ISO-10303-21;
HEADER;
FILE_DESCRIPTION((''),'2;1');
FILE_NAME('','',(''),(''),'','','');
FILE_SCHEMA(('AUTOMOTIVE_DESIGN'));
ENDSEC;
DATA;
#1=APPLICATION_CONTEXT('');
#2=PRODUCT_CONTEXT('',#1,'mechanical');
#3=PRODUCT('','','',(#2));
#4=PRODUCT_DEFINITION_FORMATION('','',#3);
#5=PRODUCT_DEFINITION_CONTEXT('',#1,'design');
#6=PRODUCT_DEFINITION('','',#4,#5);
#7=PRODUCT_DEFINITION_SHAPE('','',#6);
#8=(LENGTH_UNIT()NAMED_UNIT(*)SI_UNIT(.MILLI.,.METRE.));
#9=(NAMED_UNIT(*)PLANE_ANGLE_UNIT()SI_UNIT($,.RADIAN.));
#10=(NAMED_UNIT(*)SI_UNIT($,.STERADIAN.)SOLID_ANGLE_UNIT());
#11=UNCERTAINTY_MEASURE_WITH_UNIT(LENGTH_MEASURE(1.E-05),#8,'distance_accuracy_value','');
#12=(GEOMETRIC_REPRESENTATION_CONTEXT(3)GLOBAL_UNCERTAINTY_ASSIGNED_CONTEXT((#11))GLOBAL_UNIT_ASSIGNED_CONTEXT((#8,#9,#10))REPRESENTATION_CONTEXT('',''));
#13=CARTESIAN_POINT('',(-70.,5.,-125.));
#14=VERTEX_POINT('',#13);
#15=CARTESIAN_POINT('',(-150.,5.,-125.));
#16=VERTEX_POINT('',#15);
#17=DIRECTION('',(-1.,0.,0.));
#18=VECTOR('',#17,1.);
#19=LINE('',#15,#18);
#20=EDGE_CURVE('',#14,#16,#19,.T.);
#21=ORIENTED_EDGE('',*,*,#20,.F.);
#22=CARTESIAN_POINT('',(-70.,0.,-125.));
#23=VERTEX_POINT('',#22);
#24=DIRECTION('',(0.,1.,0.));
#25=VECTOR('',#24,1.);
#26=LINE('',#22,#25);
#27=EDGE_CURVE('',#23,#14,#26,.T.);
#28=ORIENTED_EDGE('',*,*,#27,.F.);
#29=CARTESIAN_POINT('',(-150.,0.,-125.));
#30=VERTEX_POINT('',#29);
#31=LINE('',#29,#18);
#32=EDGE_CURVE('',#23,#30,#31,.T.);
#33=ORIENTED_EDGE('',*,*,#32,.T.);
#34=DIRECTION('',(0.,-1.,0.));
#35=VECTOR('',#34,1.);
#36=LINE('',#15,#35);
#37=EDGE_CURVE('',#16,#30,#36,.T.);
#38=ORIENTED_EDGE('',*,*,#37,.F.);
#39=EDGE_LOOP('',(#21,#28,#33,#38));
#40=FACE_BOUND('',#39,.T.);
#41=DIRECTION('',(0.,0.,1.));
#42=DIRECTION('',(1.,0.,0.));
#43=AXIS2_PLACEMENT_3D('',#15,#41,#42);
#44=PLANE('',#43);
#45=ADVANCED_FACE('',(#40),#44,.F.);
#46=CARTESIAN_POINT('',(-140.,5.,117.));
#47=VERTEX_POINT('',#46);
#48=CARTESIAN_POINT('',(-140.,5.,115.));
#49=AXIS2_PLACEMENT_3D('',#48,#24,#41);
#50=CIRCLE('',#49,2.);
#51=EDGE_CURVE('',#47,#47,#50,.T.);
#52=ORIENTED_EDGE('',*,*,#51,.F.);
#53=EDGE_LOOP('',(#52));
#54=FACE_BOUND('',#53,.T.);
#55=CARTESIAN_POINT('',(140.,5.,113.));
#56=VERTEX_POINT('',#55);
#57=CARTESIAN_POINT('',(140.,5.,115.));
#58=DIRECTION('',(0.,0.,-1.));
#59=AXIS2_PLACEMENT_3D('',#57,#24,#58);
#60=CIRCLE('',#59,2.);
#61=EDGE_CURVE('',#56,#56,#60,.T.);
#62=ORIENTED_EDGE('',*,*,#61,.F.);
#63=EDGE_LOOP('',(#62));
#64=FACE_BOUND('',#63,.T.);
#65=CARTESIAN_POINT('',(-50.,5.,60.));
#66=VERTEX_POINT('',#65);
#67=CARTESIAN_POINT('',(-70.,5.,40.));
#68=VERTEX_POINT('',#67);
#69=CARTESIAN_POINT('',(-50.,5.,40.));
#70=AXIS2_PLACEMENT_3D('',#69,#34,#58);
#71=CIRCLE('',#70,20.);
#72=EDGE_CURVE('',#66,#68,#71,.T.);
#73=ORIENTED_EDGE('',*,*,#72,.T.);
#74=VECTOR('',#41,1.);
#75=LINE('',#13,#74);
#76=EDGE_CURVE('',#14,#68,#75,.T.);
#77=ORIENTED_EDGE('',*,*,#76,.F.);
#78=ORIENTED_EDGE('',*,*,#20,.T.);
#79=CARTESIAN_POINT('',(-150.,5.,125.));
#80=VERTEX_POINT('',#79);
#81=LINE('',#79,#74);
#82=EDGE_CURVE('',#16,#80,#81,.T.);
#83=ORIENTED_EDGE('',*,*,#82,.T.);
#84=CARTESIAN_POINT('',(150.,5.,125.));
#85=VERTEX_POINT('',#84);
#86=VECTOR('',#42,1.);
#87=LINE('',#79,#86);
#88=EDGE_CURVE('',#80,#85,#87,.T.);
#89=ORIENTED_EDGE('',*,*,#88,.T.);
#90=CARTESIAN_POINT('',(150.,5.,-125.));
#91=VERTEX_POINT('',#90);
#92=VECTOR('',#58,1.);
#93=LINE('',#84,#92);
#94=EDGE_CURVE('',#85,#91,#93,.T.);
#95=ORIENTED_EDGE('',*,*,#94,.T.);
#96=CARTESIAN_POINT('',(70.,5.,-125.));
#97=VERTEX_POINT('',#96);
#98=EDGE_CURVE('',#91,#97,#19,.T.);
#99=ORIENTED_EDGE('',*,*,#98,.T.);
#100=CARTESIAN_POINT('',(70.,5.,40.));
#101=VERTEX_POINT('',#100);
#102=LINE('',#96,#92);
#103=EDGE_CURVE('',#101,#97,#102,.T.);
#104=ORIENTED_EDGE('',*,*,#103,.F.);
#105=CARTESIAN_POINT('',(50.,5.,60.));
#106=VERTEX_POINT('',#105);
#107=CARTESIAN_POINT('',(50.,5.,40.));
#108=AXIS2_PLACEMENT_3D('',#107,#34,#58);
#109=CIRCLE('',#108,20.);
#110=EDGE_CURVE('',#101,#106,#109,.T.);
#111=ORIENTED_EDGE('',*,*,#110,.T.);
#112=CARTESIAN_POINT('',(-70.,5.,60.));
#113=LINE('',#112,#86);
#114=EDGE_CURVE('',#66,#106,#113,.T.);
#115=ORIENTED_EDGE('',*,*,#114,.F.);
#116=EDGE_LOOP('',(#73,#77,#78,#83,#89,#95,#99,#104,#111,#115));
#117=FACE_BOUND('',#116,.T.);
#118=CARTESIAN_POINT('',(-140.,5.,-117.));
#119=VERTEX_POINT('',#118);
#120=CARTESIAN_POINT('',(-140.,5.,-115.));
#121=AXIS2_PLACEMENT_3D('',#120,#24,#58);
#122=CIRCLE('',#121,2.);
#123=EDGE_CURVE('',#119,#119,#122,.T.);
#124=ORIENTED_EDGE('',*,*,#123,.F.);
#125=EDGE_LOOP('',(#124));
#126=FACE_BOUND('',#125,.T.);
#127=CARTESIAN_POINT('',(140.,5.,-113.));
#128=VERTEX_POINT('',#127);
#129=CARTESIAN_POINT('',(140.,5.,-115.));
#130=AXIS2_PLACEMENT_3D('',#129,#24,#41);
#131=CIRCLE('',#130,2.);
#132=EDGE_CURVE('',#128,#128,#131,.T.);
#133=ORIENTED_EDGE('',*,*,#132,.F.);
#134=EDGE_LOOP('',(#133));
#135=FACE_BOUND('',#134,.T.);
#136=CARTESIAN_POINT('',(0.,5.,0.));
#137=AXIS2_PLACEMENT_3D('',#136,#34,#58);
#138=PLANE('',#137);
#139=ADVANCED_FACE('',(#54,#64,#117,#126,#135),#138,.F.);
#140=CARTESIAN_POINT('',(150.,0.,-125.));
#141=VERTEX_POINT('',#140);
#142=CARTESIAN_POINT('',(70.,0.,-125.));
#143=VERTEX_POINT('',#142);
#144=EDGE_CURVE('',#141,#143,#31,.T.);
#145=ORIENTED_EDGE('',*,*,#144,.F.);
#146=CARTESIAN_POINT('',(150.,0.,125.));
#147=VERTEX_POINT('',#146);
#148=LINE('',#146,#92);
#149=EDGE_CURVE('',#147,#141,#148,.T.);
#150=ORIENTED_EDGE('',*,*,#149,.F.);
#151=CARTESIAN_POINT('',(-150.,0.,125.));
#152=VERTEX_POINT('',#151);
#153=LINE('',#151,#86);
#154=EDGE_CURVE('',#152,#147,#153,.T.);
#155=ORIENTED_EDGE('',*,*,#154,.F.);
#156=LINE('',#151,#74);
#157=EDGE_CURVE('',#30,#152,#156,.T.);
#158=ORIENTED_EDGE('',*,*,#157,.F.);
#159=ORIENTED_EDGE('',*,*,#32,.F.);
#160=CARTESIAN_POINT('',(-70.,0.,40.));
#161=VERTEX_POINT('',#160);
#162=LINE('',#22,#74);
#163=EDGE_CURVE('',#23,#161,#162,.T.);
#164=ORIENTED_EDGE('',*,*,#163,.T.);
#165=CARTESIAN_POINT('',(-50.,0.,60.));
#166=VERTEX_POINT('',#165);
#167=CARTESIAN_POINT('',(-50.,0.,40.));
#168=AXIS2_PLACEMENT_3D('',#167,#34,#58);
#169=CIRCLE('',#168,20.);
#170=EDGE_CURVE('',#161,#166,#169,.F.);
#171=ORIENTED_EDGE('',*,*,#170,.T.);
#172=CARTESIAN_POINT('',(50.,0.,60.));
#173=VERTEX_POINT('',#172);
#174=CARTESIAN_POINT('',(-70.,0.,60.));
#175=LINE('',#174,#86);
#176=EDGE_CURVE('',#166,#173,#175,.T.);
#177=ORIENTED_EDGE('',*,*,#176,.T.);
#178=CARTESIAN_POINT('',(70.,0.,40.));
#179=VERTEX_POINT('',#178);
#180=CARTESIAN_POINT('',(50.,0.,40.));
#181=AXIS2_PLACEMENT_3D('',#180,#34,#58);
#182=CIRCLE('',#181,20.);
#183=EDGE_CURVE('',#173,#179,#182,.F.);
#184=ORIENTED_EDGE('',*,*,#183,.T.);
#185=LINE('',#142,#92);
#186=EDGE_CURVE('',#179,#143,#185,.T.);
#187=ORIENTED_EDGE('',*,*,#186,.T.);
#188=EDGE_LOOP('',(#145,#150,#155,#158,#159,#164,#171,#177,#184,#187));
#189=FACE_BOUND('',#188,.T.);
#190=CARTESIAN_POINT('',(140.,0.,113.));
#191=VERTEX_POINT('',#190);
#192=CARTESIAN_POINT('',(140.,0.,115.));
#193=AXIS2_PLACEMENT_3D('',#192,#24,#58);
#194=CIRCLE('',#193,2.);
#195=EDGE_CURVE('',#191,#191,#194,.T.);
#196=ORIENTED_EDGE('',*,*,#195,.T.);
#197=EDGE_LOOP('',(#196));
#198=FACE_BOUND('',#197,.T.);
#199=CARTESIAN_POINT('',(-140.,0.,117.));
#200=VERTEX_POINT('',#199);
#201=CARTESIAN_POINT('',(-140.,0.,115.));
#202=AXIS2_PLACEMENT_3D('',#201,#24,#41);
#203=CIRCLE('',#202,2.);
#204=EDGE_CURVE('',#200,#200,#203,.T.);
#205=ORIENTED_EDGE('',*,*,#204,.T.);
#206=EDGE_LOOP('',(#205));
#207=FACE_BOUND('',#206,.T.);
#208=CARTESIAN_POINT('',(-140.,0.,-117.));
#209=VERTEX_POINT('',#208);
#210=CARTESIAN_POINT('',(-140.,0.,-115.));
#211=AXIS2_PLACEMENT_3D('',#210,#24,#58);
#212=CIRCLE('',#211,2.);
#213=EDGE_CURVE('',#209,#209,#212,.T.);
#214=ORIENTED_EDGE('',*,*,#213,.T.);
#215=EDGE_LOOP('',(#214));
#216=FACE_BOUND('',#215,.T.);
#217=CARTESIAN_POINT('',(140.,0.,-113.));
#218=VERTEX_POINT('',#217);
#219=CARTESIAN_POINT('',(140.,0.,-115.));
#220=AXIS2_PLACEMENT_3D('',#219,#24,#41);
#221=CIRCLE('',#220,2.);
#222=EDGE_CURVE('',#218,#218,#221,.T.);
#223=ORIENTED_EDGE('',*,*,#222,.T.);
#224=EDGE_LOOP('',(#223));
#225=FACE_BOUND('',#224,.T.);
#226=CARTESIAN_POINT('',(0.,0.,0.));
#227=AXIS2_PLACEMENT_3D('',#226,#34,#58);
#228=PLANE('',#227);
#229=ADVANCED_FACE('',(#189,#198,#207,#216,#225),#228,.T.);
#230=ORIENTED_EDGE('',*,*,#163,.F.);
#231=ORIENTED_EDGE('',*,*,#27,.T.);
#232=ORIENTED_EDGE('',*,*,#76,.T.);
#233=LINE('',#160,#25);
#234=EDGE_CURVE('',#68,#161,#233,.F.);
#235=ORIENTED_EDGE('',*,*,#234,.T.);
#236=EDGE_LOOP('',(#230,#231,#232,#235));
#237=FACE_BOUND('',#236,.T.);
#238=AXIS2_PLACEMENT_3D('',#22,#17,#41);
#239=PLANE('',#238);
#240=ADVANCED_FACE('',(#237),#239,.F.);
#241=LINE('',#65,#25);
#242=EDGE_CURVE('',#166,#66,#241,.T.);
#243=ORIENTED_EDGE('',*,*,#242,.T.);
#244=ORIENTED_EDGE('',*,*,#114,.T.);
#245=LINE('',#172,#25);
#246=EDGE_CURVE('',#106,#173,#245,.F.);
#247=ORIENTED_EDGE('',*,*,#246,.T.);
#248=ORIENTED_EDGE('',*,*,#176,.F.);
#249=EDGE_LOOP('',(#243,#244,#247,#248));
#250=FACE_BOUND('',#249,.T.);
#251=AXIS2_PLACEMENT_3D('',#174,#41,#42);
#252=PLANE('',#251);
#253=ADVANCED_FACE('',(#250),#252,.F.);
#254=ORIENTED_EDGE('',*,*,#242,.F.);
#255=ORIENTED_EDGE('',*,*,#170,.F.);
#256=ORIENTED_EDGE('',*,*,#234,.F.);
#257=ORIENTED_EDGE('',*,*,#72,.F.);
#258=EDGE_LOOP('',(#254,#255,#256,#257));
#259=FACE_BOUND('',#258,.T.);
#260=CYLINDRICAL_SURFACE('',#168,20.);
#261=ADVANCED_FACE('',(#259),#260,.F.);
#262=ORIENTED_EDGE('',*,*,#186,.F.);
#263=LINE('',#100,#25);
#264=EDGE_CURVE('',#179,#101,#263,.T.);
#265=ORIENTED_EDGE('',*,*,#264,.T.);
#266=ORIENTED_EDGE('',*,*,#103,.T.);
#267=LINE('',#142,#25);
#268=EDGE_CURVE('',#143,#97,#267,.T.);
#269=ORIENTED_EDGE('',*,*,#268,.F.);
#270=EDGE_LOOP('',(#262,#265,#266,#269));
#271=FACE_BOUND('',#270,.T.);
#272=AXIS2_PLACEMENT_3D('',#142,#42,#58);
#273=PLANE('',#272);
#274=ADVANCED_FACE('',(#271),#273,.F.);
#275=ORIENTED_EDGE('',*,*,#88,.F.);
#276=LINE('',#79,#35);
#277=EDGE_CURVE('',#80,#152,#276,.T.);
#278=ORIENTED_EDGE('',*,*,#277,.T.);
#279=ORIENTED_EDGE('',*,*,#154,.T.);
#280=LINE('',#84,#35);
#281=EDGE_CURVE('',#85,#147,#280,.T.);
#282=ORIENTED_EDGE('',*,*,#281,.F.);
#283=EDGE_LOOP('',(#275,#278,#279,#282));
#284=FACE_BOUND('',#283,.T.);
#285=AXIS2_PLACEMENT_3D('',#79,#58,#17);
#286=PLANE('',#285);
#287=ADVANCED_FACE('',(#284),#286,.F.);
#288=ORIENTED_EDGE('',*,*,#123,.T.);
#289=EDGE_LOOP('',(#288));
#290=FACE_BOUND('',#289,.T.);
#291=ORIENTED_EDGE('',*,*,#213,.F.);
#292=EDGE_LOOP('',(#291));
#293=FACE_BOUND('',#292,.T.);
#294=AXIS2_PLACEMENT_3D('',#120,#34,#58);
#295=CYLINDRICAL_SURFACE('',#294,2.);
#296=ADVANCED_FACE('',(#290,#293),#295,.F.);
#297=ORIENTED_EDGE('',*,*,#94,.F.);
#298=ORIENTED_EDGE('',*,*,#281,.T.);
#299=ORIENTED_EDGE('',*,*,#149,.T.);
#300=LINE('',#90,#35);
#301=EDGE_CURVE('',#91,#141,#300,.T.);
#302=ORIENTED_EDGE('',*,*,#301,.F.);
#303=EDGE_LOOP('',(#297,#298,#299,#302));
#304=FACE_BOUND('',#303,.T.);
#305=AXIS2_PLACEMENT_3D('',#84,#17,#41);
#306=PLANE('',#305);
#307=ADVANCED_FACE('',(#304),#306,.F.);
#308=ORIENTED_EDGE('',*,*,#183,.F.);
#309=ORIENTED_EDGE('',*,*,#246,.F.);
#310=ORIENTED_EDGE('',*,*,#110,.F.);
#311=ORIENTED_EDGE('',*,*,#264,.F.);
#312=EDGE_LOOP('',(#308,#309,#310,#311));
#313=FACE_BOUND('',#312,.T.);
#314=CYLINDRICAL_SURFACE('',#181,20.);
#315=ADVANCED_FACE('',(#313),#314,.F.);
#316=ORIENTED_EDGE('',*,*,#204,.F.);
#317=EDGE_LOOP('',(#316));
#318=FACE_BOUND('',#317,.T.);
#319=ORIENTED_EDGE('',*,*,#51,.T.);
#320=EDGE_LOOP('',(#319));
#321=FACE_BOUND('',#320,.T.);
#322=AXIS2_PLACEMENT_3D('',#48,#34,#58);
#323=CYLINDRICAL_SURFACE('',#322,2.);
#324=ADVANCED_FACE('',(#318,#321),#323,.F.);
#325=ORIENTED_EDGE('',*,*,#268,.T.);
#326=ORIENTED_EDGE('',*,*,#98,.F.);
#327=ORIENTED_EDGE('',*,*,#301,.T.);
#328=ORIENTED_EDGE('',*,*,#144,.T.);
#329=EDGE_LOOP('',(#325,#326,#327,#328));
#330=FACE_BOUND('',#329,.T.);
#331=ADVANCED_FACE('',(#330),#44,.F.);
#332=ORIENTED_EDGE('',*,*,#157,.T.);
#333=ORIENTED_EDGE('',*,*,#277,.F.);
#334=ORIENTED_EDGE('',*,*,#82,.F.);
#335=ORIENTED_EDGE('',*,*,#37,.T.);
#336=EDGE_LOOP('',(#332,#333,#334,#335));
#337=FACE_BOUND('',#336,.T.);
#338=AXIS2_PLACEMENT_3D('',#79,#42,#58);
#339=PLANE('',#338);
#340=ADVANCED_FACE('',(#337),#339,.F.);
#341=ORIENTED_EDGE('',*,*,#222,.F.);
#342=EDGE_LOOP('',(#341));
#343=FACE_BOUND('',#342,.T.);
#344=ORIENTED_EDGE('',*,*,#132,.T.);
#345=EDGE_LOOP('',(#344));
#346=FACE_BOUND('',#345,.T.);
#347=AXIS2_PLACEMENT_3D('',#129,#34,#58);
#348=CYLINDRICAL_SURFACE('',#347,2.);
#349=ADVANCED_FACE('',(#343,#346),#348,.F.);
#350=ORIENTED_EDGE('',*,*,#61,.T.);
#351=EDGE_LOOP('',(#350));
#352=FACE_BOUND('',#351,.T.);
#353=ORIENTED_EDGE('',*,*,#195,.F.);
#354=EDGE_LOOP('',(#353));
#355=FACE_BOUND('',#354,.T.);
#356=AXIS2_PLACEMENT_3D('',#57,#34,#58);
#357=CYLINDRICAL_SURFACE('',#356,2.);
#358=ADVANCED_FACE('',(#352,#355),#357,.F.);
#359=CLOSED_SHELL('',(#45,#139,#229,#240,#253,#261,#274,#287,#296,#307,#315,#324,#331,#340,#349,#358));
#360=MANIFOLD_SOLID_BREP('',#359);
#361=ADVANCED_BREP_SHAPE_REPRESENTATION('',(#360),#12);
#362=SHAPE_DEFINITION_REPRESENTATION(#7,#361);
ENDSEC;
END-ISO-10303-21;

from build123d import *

# Parameters (mm, degrees)
SKETCH1_W           = 300
SKETCH1_H           = 250
SKETCH1_R           = 2
BOSS_EXTRUDE1_DEPTH = 5
SKETCH2_W           = 140
SKETCH2_H           = 185
CUT_EXTRUDE1_DEPTH  = 196.320249846
FILLET1_R           = 20


with BuildPart() as part:
    # Sketch1 → Boss-Extrude1 (new body)
    with BuildSketch(Plane(origin=(0, 0, 0), x_dir=(1, 0, 0), z_dir=(0, 1, 0))):
        Rectangle(SKETCH1_W, SKETCH1_H)
        with Locations(Location((-140, -115, 0), (0, 0, 270))):
            Circle(SKETCH1_R, mode=Mode.SUBTRACT)
        with Locations(Location((-140, 115, 0), (0, 0, 90))):
            Circle(SKETCH1_R, mode=Mode.SUBTRACT)
        with Locations(Location((140, -115, 0), (0, 0, 90))):
            Circle(SKETCH1_R, mode=Mode.SUBTRACT)
        with Locations(Location((140, 115, 0), (0, 0, 270))):
            Circle(SKETCH1_R, mode=Mode.SUBTRACT)
    extrude(amount=BOSS_EXTRUDE1_DEPTH)

    # Sketch2 → Cut-Extrude1 (cut, through all)
    with BuildSketch(Plane(origin=(0, 5, 0), x_dir=(1, 0, 0), z_dir=(0, 1, 0))):
        with Locations((0, 32.5)):
            Rectangle(SKETCH2_W, SKETCH2_H)
    extrude(amount=-CUT_EXTRUDE1_DEPTH, mode=Mode.SUBTRACT)

    # Fillet1
    fillet1_edges = [part.edges().sort_by_distance(p)[0] for p in [
        (-70, 2.5, 60),
        (70, 2.5, 60),
    ]]
    fillet(fillet1_edges, radius=FILLET1_R)


solid = part.part
